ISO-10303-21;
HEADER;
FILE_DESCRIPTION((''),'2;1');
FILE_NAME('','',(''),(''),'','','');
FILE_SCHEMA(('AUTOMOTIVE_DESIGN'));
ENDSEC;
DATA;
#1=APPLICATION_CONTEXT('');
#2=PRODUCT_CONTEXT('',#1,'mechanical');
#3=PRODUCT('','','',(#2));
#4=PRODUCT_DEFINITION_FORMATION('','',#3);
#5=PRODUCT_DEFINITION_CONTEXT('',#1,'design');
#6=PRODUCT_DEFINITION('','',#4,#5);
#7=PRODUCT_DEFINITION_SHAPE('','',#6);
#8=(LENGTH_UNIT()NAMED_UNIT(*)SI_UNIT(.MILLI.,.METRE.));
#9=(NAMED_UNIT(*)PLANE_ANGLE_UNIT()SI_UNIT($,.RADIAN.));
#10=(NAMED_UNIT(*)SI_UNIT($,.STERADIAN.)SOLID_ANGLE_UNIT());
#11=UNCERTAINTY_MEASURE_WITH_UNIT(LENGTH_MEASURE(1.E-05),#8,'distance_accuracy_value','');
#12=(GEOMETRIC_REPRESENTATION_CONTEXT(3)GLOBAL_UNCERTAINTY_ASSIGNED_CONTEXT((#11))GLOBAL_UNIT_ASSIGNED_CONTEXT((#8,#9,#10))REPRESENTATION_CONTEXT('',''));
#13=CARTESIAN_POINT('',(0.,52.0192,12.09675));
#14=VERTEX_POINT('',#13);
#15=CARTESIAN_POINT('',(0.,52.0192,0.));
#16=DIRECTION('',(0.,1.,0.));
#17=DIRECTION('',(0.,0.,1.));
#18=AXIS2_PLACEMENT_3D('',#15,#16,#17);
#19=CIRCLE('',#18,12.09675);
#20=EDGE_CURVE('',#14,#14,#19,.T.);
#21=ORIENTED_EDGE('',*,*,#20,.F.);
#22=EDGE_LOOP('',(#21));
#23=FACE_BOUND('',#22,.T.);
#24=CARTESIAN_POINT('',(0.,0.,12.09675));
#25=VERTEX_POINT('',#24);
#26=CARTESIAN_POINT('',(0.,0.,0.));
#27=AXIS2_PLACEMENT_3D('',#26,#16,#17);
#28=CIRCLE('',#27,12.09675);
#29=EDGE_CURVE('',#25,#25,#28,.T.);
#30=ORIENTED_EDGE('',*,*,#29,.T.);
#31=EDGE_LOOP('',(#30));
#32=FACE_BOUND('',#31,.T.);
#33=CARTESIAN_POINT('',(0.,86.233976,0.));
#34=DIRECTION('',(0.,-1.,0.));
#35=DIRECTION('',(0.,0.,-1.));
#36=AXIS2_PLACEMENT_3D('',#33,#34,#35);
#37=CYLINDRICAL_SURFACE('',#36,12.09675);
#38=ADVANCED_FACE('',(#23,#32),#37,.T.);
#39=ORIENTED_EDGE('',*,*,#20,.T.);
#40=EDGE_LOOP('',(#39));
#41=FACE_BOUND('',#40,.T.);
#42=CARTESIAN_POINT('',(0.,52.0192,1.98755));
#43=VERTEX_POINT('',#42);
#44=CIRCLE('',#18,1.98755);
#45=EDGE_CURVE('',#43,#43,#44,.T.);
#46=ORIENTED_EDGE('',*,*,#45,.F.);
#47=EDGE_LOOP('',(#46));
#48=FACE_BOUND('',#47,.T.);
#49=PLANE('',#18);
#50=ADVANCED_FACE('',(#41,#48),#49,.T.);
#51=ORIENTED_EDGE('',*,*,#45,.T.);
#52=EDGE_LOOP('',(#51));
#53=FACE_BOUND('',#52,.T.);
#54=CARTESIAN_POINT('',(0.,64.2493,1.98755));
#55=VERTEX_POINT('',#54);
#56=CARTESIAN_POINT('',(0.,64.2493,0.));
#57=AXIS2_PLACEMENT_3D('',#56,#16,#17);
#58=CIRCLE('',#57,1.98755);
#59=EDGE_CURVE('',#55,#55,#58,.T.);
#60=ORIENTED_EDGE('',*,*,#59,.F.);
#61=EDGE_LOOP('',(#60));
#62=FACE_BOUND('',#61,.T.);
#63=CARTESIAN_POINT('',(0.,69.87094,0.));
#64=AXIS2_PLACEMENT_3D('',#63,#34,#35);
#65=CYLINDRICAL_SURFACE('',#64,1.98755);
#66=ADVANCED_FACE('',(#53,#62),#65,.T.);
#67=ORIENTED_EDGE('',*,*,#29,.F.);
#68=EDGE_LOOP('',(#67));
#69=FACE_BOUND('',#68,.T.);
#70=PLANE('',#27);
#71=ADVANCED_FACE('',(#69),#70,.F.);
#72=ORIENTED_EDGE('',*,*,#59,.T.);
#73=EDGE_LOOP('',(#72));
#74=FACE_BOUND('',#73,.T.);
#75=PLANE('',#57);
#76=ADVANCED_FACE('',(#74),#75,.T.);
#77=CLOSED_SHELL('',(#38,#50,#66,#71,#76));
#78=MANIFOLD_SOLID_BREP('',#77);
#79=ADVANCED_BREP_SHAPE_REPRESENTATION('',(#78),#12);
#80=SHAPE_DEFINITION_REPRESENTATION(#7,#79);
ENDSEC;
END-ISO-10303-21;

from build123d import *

# Parameters (mm, degrees)
SKETCH1_R           = 12.09675
BOSS_EXTRUDE1_DEPTH = 52.0192
SKETCH2_R           = 1.98755
BOSS_EXTRUDE2_DEPTH = 12.2301


with BuildPart() as part:
    # Sketch1 → Boss-Extrude1 (new body)
    with BuildSketch(Plane(origin=(0, 0, 0), x_dir=(1, 0, 0), z_dir=(0, 1, 0))):
        Circle(SKETCH1_R)
    extrude(amount=BOSS_EXTRUDE1_DEPTH)

    # Sketch2 → Boss-Extrude2 (add)
    with BuildSketch(Plane(origin=(0, 52.0192, 0), x_dir=(1, 0, 0), z_dir=(0, 1, 0))):
        Circle(SKETCH2_R)
    extrude(amount=BOSS_EXTRUDE2_DEPTH)


solid = part.part
